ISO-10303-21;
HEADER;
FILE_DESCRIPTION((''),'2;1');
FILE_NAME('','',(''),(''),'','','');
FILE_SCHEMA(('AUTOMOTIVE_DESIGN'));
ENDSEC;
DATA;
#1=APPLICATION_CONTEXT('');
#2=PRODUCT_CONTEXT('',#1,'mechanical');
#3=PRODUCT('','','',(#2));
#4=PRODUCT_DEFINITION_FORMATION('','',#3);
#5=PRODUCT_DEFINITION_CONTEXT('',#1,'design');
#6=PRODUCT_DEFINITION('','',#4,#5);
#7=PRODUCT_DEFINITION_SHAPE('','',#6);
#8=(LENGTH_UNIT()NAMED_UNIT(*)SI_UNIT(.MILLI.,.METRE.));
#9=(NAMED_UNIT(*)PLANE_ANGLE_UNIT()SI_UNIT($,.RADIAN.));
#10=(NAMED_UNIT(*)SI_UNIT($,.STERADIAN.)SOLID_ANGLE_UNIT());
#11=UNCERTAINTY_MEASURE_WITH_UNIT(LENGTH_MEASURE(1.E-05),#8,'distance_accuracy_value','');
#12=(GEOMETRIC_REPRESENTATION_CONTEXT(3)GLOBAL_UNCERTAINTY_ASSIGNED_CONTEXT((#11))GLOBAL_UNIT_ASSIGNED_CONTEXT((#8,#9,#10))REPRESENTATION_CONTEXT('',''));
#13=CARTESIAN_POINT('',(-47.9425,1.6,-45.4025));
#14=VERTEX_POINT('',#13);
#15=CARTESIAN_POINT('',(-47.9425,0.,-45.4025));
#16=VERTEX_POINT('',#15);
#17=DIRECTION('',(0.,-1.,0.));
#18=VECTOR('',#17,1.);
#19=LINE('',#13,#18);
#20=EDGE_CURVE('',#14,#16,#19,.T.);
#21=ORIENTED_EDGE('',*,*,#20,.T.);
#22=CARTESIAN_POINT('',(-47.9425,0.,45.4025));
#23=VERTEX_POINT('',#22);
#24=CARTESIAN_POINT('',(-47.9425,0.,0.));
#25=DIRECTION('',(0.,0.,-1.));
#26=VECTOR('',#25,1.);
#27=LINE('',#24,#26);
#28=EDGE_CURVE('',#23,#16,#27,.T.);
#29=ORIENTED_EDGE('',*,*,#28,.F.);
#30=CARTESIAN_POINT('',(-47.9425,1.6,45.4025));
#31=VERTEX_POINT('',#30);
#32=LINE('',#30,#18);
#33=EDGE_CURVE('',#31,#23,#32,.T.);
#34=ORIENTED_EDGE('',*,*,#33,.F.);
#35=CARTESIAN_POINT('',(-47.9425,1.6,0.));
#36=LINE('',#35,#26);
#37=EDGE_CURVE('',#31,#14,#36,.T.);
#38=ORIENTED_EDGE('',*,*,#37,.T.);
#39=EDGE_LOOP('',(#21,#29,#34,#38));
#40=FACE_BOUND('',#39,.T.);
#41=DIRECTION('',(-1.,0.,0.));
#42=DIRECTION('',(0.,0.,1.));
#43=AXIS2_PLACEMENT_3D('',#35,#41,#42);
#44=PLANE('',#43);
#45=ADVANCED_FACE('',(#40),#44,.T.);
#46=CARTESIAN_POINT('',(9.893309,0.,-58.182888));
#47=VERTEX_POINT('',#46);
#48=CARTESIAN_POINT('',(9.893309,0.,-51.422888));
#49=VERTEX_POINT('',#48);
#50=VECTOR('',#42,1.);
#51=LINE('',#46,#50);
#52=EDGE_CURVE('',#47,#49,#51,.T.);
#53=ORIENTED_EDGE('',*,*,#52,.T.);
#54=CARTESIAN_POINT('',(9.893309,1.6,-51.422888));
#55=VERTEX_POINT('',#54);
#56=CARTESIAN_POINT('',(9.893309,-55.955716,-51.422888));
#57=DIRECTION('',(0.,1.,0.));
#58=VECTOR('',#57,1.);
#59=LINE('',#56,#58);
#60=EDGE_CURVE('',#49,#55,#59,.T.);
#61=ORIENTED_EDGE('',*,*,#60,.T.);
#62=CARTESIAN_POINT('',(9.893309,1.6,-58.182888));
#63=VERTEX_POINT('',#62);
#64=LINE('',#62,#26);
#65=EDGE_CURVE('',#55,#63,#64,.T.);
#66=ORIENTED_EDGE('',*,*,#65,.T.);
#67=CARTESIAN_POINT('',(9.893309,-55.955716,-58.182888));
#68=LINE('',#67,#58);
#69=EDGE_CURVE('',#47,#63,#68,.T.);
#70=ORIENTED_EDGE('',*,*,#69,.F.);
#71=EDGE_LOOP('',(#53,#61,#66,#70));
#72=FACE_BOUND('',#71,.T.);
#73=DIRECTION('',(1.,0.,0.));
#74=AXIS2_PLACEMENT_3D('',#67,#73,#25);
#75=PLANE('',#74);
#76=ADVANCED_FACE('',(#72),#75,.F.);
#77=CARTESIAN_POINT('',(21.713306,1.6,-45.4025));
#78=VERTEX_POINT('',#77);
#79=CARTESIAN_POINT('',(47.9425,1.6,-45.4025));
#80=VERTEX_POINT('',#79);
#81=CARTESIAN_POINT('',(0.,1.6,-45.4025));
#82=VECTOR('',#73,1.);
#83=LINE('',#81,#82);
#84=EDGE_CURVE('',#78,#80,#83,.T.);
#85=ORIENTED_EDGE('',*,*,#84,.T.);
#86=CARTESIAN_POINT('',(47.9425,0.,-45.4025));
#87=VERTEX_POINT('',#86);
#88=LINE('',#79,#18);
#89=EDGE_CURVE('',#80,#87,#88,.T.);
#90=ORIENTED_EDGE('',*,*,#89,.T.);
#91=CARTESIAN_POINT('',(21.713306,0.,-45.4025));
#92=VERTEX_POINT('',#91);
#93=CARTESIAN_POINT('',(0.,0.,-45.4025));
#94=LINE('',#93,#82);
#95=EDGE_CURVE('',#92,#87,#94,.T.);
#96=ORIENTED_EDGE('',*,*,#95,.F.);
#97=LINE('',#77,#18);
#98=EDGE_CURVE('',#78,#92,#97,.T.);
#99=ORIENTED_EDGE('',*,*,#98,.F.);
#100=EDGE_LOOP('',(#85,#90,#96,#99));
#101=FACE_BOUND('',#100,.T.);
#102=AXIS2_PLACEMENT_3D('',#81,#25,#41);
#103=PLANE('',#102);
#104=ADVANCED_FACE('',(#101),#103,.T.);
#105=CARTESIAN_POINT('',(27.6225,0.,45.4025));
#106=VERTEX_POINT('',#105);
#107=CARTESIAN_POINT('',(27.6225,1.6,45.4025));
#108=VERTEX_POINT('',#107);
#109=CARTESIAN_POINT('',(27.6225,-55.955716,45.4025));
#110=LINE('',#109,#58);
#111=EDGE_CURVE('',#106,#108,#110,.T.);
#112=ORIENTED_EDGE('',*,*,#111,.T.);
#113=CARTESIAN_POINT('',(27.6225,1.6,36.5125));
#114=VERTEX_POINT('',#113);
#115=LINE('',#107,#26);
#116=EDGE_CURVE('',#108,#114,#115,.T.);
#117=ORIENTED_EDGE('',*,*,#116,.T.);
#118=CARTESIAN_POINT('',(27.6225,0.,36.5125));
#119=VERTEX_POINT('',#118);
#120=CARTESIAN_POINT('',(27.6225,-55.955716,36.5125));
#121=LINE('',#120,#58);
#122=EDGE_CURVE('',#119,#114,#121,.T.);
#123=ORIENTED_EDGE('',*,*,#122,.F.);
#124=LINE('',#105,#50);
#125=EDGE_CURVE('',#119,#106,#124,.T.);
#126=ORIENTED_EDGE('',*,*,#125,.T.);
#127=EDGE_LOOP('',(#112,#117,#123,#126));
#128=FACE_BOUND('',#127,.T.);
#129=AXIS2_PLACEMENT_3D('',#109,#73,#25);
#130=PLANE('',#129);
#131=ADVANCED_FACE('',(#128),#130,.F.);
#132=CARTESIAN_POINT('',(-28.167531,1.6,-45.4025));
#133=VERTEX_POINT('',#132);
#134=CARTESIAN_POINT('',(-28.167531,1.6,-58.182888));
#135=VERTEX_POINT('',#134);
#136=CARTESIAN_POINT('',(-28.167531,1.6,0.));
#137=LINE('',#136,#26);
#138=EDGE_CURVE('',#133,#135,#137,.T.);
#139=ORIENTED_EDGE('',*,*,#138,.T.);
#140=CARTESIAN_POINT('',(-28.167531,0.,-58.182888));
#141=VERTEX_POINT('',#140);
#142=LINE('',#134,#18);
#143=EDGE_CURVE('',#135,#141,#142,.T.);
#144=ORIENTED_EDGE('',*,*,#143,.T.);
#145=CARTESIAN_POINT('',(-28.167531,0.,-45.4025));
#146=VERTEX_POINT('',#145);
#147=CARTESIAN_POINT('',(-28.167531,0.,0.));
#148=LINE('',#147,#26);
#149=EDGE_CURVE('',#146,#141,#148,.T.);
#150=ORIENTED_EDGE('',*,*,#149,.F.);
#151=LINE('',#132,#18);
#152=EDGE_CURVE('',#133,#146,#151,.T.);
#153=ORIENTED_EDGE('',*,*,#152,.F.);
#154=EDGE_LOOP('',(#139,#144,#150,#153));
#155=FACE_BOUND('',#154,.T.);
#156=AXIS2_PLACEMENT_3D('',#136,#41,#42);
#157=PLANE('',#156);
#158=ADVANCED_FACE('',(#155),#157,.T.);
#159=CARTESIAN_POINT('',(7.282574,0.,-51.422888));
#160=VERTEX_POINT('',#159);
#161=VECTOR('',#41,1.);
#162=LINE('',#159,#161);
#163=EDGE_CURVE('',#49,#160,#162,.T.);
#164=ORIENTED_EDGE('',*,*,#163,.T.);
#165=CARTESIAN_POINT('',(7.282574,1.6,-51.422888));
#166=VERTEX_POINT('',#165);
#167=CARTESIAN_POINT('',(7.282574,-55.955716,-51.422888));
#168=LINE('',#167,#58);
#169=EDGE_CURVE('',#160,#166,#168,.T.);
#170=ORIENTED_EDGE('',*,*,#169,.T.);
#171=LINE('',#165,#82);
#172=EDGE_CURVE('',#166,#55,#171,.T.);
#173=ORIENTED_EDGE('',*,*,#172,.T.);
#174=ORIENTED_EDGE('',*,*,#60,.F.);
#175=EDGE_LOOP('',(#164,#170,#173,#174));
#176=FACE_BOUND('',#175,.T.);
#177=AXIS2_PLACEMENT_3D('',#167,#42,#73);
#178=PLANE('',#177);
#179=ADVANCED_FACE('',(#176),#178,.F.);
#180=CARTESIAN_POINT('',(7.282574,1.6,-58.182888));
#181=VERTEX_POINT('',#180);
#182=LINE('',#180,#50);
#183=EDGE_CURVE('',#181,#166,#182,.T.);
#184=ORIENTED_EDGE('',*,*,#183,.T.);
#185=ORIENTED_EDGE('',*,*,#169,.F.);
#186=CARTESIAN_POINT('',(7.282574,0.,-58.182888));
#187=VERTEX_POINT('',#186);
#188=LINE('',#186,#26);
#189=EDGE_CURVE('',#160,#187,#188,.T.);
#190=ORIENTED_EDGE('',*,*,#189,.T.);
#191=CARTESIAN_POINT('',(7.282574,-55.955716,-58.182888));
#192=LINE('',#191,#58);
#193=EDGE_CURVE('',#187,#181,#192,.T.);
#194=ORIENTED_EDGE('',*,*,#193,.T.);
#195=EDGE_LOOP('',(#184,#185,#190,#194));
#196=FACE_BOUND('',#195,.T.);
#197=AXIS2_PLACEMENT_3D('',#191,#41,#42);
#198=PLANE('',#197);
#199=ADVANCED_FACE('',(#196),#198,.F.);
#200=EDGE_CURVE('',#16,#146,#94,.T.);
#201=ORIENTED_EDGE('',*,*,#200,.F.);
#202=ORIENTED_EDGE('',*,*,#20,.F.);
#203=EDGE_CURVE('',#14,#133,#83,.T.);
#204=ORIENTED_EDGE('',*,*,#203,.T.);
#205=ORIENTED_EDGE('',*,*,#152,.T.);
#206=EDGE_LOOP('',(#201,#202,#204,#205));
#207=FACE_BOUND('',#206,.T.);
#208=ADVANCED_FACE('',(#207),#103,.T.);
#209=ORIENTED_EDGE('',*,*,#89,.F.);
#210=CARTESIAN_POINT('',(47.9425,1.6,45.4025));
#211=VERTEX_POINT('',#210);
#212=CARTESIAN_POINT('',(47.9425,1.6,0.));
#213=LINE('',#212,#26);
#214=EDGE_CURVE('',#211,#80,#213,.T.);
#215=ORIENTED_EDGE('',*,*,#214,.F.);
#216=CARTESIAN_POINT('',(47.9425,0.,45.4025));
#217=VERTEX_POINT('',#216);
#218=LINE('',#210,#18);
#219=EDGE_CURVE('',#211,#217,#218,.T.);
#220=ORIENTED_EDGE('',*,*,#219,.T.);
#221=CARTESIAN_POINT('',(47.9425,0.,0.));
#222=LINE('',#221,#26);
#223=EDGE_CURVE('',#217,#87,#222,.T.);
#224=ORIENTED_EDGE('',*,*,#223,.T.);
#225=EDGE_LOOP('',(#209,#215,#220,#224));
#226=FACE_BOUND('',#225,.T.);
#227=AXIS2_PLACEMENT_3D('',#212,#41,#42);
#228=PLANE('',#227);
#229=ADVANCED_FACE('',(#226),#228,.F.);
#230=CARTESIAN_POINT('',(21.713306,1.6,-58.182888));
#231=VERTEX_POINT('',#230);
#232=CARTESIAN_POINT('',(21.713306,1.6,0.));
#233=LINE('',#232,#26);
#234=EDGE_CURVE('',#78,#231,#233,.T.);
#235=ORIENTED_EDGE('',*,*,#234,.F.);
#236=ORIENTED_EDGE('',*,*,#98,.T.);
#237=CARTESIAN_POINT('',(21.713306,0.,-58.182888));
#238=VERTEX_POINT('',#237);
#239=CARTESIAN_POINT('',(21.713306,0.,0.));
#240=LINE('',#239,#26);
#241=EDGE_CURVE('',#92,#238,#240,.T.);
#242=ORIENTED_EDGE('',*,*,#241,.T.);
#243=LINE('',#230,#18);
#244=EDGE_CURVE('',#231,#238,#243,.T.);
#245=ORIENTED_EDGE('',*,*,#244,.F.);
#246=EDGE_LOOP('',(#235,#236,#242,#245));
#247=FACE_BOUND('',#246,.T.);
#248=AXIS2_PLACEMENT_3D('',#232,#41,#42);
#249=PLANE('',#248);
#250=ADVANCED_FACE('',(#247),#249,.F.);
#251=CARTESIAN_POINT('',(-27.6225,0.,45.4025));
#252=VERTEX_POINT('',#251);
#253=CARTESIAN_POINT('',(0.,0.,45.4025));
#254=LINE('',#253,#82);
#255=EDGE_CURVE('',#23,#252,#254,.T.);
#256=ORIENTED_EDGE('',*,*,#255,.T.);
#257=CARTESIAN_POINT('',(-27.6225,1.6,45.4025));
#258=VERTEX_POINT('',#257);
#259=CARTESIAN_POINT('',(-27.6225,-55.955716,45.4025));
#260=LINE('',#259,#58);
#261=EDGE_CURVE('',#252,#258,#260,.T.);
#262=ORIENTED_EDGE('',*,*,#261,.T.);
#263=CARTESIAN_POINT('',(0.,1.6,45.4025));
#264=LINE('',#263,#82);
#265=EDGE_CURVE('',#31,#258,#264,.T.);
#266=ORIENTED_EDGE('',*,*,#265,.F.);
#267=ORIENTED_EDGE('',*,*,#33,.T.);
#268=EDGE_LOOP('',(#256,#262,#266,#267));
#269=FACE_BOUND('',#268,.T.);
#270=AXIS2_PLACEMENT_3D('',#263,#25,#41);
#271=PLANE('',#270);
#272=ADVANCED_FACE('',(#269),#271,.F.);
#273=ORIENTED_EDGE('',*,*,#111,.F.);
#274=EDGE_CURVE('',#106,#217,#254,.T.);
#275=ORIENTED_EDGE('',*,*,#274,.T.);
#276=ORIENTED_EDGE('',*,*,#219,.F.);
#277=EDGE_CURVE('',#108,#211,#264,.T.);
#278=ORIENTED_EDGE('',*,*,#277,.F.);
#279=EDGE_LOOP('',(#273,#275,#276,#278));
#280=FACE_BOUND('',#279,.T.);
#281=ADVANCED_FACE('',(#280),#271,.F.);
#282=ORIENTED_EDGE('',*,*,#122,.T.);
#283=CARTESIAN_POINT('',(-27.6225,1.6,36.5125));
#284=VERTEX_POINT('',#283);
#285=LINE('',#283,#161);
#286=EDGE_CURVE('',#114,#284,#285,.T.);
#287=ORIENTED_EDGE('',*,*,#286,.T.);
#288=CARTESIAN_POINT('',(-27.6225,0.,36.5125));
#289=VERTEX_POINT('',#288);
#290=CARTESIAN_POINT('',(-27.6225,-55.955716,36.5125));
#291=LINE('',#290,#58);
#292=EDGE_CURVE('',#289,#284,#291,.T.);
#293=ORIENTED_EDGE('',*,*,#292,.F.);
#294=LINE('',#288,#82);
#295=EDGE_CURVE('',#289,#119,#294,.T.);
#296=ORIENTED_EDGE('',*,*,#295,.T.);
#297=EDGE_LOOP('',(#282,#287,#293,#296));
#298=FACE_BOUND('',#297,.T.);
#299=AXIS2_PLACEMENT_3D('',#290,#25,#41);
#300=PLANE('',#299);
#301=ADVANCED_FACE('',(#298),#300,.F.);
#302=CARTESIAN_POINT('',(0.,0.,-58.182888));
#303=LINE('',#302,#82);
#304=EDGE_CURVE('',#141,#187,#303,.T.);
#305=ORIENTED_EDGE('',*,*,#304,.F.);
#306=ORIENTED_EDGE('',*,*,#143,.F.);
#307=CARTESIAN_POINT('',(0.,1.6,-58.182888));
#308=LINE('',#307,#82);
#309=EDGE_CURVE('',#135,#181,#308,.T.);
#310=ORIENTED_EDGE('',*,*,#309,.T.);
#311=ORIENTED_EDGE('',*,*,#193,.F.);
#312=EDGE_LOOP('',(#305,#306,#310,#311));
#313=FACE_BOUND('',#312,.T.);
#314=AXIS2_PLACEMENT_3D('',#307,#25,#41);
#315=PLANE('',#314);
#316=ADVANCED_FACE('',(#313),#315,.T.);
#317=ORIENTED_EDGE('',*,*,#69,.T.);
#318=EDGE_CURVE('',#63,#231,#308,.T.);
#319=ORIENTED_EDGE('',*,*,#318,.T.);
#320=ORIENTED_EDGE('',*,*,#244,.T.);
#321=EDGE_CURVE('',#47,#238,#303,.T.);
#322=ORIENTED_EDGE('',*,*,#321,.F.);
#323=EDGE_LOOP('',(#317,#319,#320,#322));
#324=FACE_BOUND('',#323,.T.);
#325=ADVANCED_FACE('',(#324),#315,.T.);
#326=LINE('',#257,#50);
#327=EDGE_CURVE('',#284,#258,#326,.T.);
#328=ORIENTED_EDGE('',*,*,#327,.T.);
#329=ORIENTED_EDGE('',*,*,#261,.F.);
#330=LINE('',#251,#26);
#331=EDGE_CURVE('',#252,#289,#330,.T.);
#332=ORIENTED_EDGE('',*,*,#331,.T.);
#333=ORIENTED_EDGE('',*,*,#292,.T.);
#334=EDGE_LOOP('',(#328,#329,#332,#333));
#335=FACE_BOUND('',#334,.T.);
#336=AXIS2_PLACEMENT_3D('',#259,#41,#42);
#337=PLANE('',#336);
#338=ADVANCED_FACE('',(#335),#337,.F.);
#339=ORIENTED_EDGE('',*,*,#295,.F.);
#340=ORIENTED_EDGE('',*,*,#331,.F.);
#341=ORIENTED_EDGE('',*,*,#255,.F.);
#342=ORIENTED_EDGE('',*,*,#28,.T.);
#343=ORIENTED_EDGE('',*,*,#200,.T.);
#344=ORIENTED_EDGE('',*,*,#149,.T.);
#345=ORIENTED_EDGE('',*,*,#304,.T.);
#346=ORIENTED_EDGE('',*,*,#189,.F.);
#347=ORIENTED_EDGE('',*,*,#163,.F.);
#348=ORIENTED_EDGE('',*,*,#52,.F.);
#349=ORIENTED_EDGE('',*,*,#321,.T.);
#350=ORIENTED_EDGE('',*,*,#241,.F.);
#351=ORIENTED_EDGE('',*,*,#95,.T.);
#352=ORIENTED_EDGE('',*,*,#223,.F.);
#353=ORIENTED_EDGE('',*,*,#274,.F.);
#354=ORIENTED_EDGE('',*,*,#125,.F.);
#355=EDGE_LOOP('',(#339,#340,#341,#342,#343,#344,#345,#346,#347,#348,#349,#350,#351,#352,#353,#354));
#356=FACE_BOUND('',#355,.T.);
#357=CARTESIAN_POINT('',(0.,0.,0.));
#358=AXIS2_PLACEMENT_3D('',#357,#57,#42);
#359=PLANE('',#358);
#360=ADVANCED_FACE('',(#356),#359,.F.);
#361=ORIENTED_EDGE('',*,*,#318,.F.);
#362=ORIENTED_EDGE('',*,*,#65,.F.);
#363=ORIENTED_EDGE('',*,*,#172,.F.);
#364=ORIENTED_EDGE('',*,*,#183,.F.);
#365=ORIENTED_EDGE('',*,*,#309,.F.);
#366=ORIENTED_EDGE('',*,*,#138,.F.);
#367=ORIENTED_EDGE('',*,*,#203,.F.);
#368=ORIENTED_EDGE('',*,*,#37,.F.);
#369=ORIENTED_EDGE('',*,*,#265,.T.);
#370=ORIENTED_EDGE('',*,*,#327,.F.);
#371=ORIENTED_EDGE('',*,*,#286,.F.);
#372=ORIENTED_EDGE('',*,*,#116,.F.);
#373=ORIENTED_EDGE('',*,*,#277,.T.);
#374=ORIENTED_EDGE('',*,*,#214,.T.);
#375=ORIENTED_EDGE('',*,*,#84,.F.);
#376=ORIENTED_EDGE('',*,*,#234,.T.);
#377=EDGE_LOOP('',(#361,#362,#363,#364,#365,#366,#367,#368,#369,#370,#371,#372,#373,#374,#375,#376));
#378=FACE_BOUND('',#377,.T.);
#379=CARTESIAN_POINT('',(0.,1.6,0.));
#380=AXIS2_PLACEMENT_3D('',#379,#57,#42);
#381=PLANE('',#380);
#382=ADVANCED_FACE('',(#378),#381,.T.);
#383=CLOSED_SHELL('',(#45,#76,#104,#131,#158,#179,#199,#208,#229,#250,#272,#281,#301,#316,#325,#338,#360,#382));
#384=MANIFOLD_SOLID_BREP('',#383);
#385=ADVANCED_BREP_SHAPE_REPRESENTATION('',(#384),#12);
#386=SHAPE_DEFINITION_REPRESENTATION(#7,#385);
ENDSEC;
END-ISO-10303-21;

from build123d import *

# Parameters (mm, degrees)
SKETCH1_W           = 49.880837057
SKETCH1_H           = 12.780388143
SKETCH1_W_2         = 95.885
SKETCH1_H_2         = 90.805
BOSS_EXTRUDE1_DEPTH = 1.6
SKETCH2_W           = 55.245
SKETCH2_H           = 8.89
SKETCH2_W_2         = 2.610734202
SKETCH2_H_2         = 6.76
CUT_EXTRUDE1_DEPTH  = 1.6


with BuildPart() as part:
    # Sketch1 → Boss-Extrude1 (new body)
    with BuildSketch(Plane(origin=(0, 0, 0), x_dir=(1, 0, 0), z_dir=(0, 1, 0))):
        with Locations((-3.227112148, 51.792694072)):
            Rectangle(SKETCH1_W, SKETCH1_H)
        Rectangle(SKETCH1_W_2, SKETCH1_H_2)
    extrude(amount=BOSS_EXTRUDE1_DEPTH)

    # Sketch2 → Cut-Extrude1 (cut)
    with BuildSketch(Plane(origin=(0, 1.6, 0), x_dir=(1, 0, 0), z_dir=(0, 1, 0))):
        with Locations((0, -40.9575)):
            Rectangle(SKETCH2_W, SKETCH2_H)
        with Locations((8.587941455, 54.802888143)):
            Rectangle(SKETCH2_W_2, SKETCH2_H_2)
    extrude(amount=-CUT_EXTRUDE1_DEPTH, mode=Mode.SUBTRACT)


solid = part.part
